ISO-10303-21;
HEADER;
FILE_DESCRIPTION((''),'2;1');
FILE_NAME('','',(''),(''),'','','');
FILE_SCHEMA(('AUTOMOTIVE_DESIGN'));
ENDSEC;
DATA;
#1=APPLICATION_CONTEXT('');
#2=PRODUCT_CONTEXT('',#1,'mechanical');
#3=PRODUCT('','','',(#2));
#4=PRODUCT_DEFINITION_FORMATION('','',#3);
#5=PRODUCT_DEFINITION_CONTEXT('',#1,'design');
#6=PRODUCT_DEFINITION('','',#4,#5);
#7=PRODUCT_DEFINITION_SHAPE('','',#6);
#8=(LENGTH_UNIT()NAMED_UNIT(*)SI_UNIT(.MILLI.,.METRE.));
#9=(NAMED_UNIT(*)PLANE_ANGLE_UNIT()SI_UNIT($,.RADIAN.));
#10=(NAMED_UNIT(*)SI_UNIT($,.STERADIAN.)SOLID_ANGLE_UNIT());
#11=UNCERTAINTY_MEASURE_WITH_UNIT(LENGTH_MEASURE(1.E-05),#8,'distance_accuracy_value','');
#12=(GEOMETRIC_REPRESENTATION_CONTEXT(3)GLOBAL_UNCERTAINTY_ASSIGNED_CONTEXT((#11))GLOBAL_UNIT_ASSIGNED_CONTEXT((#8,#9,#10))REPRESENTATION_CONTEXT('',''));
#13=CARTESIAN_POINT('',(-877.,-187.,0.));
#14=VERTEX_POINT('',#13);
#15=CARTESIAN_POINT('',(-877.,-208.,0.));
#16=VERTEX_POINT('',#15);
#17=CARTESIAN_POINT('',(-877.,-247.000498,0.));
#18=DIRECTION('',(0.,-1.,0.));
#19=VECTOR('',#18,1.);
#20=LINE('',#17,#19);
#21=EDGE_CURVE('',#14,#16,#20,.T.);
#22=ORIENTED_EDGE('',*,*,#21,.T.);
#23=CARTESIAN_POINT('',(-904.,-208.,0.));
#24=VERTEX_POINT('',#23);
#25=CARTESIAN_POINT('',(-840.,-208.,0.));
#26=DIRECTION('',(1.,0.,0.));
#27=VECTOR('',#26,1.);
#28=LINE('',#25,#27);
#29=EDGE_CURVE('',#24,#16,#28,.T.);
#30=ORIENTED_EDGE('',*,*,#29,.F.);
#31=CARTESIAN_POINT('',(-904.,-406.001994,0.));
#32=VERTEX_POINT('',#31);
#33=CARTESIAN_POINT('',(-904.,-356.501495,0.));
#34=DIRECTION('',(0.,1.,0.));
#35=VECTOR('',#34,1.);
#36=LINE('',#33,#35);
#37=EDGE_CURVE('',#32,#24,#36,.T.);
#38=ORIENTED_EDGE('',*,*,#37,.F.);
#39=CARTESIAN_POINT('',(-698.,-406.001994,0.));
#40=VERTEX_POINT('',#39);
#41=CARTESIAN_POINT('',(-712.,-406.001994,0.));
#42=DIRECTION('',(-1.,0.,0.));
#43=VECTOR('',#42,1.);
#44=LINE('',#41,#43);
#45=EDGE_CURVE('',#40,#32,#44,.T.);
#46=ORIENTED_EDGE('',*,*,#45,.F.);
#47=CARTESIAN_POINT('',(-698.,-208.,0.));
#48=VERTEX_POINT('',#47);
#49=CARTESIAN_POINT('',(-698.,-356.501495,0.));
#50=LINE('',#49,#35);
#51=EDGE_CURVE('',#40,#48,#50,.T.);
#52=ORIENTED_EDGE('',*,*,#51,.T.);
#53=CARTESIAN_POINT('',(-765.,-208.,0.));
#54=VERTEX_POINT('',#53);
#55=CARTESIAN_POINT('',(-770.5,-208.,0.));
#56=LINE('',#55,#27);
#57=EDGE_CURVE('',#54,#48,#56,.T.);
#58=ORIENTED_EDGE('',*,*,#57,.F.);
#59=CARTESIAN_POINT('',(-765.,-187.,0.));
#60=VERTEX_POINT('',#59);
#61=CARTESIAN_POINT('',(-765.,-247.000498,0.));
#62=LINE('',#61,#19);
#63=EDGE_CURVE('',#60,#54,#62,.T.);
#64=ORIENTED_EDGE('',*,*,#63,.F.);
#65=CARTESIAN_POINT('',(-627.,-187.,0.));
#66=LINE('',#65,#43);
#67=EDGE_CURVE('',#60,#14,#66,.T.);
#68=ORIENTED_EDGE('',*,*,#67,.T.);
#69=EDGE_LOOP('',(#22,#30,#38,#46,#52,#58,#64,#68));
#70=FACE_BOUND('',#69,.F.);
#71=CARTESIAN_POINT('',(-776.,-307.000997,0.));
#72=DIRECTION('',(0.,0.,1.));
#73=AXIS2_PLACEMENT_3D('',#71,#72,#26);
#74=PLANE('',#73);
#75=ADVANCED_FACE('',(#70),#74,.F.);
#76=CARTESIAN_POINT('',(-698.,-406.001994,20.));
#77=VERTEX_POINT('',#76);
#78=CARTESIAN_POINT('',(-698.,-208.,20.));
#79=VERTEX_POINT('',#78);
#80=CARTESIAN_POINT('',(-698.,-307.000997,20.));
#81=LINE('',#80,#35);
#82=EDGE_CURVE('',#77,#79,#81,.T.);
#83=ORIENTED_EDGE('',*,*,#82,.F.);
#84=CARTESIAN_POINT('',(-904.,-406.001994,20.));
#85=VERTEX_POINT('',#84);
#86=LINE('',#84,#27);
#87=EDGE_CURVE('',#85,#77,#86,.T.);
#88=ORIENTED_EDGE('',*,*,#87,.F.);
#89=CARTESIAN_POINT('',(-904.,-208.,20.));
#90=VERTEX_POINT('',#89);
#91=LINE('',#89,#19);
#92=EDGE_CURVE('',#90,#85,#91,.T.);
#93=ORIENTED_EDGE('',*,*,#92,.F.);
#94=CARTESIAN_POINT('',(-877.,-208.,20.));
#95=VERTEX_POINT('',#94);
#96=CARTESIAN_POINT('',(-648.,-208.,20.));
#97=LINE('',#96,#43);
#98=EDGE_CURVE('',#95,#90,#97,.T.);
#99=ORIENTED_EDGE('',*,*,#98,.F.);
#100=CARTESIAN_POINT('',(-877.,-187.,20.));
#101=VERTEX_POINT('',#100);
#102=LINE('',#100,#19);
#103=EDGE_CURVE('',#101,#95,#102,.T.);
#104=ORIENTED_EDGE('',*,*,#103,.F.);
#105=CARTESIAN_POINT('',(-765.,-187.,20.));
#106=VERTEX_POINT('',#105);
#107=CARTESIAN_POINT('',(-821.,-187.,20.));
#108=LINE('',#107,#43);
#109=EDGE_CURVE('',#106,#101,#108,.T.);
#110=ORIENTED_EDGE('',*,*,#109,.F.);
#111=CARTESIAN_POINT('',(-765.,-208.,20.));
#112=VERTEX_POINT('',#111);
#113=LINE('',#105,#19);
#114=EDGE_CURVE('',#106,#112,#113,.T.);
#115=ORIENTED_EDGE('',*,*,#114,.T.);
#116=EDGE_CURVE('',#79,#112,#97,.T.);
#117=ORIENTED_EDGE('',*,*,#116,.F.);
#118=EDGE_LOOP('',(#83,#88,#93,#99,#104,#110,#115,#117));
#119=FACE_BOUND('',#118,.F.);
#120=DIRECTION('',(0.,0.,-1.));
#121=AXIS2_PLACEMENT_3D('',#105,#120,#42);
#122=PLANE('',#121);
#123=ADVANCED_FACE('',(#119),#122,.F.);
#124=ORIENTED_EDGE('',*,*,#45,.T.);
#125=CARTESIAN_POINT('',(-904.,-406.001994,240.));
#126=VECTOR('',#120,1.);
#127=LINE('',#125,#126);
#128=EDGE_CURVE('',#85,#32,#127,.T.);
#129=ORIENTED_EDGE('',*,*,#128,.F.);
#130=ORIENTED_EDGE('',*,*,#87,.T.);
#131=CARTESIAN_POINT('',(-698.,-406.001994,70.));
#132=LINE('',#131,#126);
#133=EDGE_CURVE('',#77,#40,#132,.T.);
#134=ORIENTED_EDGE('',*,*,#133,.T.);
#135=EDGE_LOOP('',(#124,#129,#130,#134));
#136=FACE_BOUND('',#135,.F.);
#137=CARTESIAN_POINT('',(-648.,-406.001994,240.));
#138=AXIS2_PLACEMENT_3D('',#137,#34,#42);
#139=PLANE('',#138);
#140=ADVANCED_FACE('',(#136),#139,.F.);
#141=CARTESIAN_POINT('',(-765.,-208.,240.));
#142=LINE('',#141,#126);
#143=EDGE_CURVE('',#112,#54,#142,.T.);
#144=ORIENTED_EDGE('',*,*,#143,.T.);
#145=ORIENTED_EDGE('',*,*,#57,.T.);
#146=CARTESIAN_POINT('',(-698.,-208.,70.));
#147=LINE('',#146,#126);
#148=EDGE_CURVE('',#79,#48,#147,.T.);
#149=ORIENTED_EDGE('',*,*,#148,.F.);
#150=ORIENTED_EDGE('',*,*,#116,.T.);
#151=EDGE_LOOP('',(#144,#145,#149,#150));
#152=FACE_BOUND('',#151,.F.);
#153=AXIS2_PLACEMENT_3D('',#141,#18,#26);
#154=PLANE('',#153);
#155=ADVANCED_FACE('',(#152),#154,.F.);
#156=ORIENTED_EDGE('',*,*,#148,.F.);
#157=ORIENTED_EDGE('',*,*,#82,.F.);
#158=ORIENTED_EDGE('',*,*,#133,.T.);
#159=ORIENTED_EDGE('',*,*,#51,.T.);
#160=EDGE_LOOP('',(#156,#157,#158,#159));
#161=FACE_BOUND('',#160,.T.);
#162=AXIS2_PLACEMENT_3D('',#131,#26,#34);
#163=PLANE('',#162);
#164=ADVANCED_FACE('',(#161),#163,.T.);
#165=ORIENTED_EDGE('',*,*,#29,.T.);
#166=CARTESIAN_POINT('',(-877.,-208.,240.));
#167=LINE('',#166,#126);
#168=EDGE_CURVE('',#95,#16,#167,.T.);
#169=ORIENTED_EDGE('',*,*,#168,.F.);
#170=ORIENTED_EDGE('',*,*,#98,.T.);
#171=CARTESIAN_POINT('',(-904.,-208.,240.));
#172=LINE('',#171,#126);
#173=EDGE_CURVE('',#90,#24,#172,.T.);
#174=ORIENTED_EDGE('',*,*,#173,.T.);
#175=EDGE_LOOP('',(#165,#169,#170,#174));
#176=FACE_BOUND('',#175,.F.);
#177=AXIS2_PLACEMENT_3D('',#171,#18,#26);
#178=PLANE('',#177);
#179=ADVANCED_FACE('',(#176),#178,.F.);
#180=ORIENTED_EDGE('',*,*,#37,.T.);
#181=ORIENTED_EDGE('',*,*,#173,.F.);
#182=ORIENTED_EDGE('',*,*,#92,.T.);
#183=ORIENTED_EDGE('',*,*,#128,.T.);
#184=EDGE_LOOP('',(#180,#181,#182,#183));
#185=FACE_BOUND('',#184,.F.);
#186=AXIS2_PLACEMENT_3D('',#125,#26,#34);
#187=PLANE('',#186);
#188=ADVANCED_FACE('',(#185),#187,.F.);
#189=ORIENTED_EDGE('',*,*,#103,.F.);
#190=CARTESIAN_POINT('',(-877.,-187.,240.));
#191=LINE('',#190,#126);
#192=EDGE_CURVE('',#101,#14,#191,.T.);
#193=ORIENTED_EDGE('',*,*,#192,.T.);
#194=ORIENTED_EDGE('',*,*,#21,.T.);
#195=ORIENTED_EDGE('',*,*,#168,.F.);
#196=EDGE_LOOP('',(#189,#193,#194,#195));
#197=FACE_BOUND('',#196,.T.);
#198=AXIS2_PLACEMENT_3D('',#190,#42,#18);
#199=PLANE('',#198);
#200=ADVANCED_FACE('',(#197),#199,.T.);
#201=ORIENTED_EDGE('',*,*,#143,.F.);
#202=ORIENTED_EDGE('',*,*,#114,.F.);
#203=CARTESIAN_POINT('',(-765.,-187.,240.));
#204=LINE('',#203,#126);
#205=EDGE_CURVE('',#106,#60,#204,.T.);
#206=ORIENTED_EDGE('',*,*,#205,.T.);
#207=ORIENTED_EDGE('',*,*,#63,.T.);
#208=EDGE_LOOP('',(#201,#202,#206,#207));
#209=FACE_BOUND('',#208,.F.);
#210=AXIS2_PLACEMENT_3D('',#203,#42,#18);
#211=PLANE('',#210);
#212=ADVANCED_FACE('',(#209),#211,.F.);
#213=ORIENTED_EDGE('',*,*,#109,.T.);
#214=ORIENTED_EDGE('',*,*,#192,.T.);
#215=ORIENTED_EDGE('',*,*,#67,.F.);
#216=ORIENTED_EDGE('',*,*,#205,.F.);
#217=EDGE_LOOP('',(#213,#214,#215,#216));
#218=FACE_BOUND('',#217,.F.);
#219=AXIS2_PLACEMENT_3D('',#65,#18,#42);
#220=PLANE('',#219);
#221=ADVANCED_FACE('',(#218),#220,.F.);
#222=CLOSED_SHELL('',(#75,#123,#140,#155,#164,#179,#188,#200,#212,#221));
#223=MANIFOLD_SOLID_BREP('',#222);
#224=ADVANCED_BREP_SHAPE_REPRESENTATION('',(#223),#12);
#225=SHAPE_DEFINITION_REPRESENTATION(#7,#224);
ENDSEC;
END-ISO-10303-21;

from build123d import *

# Parameters (mm, degrees)
F3_DEPTH  = 240
F5_DEPTH  = 20
F6_W      = 112
F6_H      = 241.1060750484
F7_DEPTH  = 25
F8_W      = 70.001994
F8_H      = 85
F9_DEPTH  = 25
F10_W     = 50
F10_H     = 198.001994
F11_DEPTH = 50
F12_DEPTH = 240.001
F13_DEPTH = 70.001


with BuildPart() as f3:
    # F2 (on face) → F3 (new body)
    with BuildSketch(Plane.XY):
        Polygon((-627, -343.001994), (-627, -273), (-627, -187), (-765, -187), (-877, -187), (-925, -187), (-925, -427.001994), (-627, -427.001994), align=None)
        Polygon((-765, -208), (-648, -208), (-648, -273), (-648, -343.001994), (-648, -406.001994), (-904, -406.001994), (-904, -208), (-877, -208), align=None, mode=Mode.SUBTRACT)
    extrude(amount=F3_DEPTH)

    # F4 (on face) → F5 (join)
    with BuildSketch(Plane.XY):
        Polygon((-648, -273), (-648, -208), (-765, -208), (-877, -208), (-904, -208), (-904, -406.001994), (-648, -406.001994), (-648, -343.001994), align=None)
    extrude(amount=F5_DEPTH)

    # F6 (on face) → F7 (cut)
    with BuildSketch(Plane(origin=(0, -187, 0), x_dir=(-1, 0, 0), z_dir=(0, 1, 0))):
        with Locations((821, 140.5530375242)):
            Rectangle(F6_W, F6_H)
    extrude(amount=-F7_DEPTH, mode=Mode.SUBTRACT)

    # F8 (on face) → F9 (cut)
    with BuildSketch(Plane.YZ.offset(-627)):
        with Locations((-308.000997, 177.5)):
            Rectangle(F8_W, F8_H)
    extrude(amount=-F9_DEPTH, mode=Mode.SUBTRACT)

    # F10 (on face) → F11 (join)
    with BuildSketch(Plane.XY.offset(20)):
        with Locations((-673, -307.000997)):
            Rectangle(F10_W, F10_H)
    extrude(amount=F11_DEPTH)

    # F12 (cut, through all): a face of the model
    f12_faces = [f3.faces().sort_by_distance(p)[0] for p in [
        (-630.8262900716, -307.000997, 240),
    ]]
    extrude(f12_faces, amount=-F12_DEPTH, mode=Mode.SUBTRACT)

    # F13 (cut, through all): a face of the model
    f13_faces = [f3.faces().sort_by_distance(p)[0] for p in [
        (-673, -307.000997, 70),
    ]]
    extrude(f13_faces, amount=-F13_DEPTH, mode=Mode.SUBTRACT)


solid = f3.part
